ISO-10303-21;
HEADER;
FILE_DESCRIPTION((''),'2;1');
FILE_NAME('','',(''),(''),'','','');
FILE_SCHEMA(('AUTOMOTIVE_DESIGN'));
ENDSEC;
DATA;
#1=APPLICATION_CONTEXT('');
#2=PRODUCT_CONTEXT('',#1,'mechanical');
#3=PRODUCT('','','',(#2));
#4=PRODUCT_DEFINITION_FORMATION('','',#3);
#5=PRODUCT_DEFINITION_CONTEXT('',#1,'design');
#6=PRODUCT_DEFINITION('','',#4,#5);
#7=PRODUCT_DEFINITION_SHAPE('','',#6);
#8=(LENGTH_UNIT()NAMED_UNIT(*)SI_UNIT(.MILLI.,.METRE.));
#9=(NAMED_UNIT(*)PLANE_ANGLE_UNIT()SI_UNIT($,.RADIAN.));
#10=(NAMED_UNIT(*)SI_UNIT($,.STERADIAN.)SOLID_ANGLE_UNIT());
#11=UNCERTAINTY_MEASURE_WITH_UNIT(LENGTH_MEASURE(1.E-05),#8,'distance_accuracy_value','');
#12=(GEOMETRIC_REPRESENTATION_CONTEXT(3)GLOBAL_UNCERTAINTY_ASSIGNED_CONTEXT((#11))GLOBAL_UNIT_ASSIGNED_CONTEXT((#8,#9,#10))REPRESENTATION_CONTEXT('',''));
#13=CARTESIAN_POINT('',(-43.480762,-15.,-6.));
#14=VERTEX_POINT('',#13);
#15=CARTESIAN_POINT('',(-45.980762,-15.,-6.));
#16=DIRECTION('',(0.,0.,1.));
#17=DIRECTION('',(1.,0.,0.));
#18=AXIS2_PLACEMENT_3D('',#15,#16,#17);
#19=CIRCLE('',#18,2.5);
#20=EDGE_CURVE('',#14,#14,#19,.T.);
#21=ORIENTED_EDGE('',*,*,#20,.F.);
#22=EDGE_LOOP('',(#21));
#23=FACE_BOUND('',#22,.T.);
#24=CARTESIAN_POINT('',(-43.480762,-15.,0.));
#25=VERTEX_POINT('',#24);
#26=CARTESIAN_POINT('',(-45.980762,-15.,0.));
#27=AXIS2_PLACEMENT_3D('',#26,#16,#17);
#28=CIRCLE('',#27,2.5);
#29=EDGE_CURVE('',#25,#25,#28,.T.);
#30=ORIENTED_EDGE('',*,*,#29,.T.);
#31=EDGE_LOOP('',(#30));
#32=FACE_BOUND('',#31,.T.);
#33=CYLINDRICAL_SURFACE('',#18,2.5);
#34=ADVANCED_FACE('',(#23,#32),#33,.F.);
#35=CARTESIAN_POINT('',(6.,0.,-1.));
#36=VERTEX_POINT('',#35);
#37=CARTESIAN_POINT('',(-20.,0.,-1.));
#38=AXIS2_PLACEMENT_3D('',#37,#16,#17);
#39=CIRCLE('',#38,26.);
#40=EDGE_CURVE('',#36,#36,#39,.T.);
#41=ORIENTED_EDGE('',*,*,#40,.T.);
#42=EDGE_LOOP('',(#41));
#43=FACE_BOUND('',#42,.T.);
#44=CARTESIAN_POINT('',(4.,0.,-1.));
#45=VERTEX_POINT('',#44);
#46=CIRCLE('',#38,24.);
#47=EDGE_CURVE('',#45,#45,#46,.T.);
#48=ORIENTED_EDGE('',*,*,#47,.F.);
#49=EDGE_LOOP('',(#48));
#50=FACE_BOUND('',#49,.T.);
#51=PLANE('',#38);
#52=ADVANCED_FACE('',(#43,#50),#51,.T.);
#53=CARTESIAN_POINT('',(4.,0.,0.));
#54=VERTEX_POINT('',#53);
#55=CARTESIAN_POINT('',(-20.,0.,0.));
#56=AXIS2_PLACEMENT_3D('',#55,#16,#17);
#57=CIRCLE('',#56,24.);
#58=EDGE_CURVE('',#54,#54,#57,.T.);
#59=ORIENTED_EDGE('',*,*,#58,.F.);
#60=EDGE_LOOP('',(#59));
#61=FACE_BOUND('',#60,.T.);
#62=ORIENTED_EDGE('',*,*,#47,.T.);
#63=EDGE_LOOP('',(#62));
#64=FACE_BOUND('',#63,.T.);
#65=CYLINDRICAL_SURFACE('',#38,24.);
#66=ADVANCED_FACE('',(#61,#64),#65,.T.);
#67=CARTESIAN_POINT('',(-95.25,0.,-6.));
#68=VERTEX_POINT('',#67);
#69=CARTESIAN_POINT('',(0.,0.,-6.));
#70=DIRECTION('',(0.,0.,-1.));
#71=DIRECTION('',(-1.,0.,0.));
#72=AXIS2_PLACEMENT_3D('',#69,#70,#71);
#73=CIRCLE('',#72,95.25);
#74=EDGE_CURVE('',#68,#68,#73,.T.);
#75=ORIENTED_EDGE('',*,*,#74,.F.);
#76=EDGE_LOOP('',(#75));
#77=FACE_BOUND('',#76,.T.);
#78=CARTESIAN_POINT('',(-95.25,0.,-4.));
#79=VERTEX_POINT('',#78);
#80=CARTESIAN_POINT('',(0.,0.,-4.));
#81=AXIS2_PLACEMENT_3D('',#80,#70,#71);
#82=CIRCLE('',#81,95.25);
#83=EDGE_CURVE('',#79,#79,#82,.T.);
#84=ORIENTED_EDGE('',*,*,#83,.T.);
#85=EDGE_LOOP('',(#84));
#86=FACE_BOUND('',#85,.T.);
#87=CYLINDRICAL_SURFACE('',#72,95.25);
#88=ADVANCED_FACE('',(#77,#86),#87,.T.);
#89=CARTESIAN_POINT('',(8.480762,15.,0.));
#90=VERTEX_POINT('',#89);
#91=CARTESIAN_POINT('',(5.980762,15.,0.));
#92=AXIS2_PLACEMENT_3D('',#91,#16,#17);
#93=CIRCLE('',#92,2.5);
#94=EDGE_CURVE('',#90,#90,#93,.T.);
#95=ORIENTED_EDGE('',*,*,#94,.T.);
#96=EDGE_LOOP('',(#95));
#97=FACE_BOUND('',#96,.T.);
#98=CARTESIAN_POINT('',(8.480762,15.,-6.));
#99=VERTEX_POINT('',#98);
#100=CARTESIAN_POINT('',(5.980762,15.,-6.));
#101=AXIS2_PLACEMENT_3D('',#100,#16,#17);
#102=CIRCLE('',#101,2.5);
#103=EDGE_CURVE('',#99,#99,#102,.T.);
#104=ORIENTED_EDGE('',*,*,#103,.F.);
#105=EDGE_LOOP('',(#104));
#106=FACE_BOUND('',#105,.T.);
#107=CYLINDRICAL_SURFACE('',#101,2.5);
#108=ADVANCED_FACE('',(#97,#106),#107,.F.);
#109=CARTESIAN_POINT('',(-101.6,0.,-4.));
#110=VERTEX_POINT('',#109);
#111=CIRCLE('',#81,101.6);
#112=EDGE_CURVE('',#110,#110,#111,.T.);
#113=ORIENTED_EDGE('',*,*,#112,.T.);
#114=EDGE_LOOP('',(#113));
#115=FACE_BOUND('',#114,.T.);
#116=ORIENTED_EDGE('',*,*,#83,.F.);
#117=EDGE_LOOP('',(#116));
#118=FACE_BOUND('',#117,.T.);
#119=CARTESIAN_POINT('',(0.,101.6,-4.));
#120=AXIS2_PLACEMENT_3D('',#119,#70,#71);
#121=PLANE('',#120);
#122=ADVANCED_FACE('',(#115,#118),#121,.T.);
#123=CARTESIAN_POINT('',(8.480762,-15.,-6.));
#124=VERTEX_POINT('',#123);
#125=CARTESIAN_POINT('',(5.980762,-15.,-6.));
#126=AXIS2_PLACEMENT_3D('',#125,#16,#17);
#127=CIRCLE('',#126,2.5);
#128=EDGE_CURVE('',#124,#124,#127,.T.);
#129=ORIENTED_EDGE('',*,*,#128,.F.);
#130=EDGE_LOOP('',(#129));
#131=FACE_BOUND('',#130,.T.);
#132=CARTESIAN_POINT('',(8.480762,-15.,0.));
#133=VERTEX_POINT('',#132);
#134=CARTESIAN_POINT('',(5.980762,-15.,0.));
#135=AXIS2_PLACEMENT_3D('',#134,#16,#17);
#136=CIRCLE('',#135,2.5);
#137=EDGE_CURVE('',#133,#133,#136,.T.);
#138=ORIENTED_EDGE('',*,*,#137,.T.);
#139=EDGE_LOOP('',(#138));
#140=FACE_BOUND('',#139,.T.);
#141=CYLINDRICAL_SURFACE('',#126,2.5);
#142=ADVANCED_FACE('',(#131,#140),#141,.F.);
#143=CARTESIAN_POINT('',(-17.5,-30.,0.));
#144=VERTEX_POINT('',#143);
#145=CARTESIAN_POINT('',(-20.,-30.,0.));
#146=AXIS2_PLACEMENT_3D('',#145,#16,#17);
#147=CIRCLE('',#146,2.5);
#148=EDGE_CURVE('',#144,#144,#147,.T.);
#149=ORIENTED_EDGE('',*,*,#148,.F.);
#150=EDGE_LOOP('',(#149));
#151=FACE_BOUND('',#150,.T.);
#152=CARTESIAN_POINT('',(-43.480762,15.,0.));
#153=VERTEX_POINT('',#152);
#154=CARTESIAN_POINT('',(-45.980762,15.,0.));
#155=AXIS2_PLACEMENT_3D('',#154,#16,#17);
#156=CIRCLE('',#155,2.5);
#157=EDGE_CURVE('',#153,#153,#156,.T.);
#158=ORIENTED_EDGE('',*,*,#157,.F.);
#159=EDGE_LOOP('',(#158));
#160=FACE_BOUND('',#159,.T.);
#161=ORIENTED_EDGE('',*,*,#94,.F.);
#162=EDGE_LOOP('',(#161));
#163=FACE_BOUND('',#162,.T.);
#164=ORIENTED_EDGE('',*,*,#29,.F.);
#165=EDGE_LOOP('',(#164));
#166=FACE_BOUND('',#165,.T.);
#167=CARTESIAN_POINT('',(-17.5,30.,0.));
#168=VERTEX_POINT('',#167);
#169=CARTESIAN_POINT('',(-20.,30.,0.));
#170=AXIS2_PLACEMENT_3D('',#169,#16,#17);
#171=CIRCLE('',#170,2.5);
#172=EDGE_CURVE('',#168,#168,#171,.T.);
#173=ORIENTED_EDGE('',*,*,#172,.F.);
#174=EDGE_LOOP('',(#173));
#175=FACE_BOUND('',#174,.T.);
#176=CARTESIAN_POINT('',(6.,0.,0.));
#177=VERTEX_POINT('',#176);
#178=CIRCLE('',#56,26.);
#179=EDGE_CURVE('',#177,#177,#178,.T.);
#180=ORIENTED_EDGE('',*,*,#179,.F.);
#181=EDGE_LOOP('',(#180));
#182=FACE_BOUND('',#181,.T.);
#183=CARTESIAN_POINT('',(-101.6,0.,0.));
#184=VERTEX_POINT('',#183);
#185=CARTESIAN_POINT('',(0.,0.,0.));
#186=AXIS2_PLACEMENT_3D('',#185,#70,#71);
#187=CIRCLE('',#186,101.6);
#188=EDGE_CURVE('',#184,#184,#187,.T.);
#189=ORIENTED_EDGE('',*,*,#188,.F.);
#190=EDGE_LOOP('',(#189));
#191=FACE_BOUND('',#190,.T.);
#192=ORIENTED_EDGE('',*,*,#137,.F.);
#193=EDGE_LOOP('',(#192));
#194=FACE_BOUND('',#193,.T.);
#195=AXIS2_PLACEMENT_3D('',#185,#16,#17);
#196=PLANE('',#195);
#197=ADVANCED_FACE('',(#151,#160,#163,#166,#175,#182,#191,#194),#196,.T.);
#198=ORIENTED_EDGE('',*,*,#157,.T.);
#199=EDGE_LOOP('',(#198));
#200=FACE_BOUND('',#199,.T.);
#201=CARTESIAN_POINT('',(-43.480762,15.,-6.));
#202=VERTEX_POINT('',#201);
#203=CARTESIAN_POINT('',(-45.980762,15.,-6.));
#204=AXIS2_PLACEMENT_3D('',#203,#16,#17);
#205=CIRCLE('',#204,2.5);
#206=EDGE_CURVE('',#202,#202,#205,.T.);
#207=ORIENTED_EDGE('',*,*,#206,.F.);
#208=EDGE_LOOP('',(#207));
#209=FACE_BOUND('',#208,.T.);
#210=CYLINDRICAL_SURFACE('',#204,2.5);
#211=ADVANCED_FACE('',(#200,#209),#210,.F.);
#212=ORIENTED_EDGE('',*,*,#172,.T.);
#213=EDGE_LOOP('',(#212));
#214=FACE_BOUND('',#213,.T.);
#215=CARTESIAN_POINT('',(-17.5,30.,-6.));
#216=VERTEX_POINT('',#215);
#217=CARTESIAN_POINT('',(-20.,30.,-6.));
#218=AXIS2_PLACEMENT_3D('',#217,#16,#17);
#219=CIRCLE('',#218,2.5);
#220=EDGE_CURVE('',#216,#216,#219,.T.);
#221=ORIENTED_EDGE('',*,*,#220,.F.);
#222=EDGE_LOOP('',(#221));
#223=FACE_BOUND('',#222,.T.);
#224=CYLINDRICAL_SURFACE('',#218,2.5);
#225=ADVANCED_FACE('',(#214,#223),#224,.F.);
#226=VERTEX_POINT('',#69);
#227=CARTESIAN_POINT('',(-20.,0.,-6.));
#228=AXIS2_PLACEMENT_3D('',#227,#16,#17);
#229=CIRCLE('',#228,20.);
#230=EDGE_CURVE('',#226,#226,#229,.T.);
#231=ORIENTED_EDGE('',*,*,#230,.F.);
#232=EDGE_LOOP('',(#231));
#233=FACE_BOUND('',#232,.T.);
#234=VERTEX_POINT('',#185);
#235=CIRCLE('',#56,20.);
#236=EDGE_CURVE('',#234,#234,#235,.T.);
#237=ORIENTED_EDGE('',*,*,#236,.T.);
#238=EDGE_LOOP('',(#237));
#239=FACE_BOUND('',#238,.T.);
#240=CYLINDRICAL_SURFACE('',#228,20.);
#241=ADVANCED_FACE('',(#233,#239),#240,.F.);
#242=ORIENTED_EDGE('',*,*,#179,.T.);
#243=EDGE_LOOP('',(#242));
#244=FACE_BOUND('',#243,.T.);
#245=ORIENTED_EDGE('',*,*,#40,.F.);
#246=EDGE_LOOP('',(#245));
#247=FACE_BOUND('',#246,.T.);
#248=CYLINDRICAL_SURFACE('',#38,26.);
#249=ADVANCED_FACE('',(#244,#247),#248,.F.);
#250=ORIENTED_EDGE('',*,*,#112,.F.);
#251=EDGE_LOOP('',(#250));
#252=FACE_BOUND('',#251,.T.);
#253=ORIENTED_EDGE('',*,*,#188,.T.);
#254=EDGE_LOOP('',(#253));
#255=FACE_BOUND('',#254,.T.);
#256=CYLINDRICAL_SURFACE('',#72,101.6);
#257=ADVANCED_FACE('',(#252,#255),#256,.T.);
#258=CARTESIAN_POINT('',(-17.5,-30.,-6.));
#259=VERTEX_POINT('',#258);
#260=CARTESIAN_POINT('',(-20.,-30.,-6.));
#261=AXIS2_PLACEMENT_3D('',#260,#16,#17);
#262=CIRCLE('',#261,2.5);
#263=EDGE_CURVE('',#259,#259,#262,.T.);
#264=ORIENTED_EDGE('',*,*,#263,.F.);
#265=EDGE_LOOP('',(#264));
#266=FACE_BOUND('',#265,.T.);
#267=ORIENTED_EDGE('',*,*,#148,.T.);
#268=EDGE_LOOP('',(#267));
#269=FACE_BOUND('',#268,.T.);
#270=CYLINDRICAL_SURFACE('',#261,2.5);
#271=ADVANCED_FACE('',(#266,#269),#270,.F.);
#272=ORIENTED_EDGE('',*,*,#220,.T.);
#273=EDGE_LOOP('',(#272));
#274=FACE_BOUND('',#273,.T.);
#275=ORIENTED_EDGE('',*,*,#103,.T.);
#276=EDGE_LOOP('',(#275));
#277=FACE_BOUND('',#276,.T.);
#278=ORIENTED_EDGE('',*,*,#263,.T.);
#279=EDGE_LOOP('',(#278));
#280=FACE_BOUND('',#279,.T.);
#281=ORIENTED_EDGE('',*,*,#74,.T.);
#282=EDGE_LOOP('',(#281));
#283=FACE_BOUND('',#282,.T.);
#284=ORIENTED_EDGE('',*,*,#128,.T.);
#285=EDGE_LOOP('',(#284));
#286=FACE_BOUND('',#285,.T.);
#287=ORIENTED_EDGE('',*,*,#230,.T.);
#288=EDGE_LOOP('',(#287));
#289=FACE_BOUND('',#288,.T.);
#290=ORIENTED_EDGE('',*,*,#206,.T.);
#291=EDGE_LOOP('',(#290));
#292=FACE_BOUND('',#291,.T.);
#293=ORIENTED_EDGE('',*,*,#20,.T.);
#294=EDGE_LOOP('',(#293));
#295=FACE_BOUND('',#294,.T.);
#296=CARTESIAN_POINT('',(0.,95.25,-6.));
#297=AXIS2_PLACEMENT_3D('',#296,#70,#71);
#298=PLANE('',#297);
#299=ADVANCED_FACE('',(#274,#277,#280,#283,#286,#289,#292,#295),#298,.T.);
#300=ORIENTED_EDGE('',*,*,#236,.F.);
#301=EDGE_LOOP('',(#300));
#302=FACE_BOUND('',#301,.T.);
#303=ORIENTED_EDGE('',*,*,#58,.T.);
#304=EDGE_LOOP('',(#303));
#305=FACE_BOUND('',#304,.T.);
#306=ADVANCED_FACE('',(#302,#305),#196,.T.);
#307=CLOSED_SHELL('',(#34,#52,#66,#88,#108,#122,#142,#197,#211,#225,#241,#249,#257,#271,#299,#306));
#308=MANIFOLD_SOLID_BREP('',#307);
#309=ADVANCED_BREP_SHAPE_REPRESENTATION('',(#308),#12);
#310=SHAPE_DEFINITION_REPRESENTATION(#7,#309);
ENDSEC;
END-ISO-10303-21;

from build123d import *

# Parameters (mm, degrees)
SKETCH3_R          = 20
CUT_EXTRUDE1_DEPTH = 144.809318196
SKETCH4_R          = 2.5
CUT_EXTRUDE3_DEPTH = 144.809318196
SKETCH5_R          = 26
SKETCH5_R_2        = 24
CUT_EXTRUDE4_DEPTH = 1


with BuildPart() as part:
    # Sketch2 → Revolve1 (revolve)
    with BuildSketch(Plane(origin=(0, 0, 0), x_dir=(0, 0, -1), z_dir=(1, 0, 0)), mode=Mode.PRIVATE) as revolve1_sk:
        Polygon((0, 0), (0, 101.6), (4, 101.6), (4, 95.25), (6, 95.25), (6, 0), align=None)
    revolve(revolve1_sk.sketch.rotate(Axis((0, 0, -6), (0, 0, 1)), 90), axis=Axis((0, 0, -6), (0, 0, 1)))

    # Sketch3 → Cut-Extrude1 (cut, through all)
    with BuildSketch(Plane.XY):
        with Locations((-20, 0)):
            Circle(SKETCH3_R)
    extrude(amount=-CUT_EXTRUDE1_DEPTH, mode=Mode.SUBTRACT)

    # Sketch4 → Cut-Extrude3 (cut, through all)
    with BuildSketch(Plane.XY):
        with Locations((-20, 30)):
            Circle(SKETCH4_R)
        with Locations((5.980762114, 15)):
            Circle(SKETCH4_R)
        with Locations((5.980762114, -15)):
            Circle(SKETCH4_R)
        with Locations((-20, -30)):
            Circle(SKETCH4_R)
        with Locations((-45.980762114, -15)):
            Circle(SKETCH4_R)
        with Locations((-45.980762114, 15)):
            Circle(SKETCH4_R)
    extrude(amount=-CUT_EXTRUDE3_DEPTH, mode=Mode.SUBTRACT)

    # Sketch5 → Cut-Extrude4 (cut)
    with BuildSketch(Plane.XY):
        with Locations((-20, 0)):
            Circle(SKETCH5_R)
        with Locations((-20, 0)):
            Circle(SKETCH5_R_2, mode=Mode.SUBTRACT)
    extrude(amount=-CUT_EXTRUDE4_DEPTH, mode=Mode.SUBTRACT)


solid = part.part
